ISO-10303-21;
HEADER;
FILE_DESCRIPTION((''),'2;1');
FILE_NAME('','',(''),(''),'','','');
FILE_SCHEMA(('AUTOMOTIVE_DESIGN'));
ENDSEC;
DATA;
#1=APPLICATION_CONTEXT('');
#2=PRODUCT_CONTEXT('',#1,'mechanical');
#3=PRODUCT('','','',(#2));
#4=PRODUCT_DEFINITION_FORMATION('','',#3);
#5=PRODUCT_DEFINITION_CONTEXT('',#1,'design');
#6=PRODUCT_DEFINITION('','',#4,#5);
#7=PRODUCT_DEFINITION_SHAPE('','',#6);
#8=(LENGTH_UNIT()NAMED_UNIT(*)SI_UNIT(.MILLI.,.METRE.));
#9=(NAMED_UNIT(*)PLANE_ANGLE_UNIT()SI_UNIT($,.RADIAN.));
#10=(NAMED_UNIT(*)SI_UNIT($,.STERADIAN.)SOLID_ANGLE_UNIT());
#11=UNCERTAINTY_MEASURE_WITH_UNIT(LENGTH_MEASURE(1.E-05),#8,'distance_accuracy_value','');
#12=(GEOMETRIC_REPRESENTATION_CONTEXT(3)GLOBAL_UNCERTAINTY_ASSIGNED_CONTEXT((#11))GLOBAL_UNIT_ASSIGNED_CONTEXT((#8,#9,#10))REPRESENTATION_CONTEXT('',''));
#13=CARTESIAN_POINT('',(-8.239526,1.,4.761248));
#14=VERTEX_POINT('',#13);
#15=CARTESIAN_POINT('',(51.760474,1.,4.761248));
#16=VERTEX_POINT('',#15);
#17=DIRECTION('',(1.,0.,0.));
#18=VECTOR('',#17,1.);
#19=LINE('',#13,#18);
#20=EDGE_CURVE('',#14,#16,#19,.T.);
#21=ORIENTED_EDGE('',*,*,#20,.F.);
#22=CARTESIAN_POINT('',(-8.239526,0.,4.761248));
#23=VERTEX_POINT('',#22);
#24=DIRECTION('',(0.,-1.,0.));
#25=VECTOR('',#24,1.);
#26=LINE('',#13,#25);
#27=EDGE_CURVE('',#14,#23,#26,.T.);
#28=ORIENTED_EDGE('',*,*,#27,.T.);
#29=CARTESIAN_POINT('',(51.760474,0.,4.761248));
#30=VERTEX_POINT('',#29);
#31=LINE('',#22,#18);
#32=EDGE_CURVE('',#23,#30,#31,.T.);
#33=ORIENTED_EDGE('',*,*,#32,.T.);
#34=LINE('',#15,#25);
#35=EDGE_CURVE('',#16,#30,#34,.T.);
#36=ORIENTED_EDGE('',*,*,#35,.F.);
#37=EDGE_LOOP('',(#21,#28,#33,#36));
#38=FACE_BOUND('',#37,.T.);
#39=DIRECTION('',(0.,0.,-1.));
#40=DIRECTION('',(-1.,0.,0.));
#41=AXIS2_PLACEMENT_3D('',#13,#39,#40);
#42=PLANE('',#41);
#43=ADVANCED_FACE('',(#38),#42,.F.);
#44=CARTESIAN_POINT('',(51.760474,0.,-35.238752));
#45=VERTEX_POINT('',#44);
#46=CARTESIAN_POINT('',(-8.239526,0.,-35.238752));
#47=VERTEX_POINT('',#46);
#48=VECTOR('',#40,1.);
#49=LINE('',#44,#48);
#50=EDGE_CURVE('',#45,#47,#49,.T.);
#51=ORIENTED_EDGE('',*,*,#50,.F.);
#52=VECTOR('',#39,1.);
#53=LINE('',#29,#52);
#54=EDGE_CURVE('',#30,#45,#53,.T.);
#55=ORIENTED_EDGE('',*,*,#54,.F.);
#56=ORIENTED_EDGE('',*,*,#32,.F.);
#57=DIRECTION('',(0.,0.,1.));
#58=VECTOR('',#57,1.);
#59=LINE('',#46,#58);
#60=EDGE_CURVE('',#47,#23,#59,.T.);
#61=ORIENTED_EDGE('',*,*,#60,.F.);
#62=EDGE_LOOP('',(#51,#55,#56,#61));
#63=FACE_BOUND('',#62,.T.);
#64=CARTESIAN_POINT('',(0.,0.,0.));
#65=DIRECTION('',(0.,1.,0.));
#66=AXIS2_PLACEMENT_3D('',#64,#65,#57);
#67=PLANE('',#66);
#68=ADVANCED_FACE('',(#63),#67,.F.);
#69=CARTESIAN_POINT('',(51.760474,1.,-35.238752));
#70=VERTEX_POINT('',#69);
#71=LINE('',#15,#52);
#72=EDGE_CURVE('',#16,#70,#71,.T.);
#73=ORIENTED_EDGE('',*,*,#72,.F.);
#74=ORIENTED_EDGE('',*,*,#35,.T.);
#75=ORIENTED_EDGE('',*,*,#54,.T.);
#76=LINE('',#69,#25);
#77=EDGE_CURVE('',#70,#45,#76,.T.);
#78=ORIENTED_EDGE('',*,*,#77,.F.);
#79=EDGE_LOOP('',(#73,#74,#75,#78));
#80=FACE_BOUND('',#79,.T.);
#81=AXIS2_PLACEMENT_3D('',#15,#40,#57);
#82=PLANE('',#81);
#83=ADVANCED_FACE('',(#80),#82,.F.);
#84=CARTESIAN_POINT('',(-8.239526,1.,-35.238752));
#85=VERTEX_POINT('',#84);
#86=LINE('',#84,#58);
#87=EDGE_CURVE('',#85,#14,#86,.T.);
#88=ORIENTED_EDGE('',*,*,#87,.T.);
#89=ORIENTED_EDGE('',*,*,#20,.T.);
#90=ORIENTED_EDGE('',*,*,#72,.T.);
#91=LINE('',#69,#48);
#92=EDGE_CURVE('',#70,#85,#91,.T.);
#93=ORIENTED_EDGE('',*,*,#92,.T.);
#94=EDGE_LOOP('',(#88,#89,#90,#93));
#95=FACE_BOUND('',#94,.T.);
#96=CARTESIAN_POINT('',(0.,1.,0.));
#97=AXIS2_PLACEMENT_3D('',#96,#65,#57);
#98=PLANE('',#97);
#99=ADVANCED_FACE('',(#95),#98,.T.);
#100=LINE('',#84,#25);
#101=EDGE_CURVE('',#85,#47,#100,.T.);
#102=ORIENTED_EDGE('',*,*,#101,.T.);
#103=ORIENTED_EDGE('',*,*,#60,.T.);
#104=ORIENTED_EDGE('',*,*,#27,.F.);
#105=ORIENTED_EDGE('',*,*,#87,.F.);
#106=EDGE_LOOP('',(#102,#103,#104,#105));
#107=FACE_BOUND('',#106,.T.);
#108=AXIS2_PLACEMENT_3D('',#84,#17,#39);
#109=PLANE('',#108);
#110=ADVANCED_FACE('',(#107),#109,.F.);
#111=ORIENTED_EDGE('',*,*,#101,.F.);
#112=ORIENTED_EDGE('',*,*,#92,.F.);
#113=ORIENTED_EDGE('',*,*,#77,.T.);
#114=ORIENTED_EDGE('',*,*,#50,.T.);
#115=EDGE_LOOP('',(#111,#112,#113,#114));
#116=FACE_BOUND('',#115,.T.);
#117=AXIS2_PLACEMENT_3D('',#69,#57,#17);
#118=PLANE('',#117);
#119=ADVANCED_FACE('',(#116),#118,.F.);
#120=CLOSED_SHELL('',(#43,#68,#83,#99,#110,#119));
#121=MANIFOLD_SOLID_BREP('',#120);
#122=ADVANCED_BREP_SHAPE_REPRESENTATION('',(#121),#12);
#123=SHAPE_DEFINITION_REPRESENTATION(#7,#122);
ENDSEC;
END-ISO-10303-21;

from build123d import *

# Parameters (mm, degrees)
SKETCH1_W        = 60
SKETCH1_H        = 40
EXTRUSION1_DEPTH = 1


with BuildPart() as part:
    # Sketch1 → Extrusion1 (new body)
    with BuildSketch(Plane(origin=(0, 0, 0), x_dir=(-1, 0, 0), z_dir=(0, 1, 0))):
        with Locations((-21.760474068, -15.238751554)):
            Rectangle(SKETCH1_W, SKETCH1_H)
    extrude(amount=EXTRUSION1_DEPTH)


solid = part.part
